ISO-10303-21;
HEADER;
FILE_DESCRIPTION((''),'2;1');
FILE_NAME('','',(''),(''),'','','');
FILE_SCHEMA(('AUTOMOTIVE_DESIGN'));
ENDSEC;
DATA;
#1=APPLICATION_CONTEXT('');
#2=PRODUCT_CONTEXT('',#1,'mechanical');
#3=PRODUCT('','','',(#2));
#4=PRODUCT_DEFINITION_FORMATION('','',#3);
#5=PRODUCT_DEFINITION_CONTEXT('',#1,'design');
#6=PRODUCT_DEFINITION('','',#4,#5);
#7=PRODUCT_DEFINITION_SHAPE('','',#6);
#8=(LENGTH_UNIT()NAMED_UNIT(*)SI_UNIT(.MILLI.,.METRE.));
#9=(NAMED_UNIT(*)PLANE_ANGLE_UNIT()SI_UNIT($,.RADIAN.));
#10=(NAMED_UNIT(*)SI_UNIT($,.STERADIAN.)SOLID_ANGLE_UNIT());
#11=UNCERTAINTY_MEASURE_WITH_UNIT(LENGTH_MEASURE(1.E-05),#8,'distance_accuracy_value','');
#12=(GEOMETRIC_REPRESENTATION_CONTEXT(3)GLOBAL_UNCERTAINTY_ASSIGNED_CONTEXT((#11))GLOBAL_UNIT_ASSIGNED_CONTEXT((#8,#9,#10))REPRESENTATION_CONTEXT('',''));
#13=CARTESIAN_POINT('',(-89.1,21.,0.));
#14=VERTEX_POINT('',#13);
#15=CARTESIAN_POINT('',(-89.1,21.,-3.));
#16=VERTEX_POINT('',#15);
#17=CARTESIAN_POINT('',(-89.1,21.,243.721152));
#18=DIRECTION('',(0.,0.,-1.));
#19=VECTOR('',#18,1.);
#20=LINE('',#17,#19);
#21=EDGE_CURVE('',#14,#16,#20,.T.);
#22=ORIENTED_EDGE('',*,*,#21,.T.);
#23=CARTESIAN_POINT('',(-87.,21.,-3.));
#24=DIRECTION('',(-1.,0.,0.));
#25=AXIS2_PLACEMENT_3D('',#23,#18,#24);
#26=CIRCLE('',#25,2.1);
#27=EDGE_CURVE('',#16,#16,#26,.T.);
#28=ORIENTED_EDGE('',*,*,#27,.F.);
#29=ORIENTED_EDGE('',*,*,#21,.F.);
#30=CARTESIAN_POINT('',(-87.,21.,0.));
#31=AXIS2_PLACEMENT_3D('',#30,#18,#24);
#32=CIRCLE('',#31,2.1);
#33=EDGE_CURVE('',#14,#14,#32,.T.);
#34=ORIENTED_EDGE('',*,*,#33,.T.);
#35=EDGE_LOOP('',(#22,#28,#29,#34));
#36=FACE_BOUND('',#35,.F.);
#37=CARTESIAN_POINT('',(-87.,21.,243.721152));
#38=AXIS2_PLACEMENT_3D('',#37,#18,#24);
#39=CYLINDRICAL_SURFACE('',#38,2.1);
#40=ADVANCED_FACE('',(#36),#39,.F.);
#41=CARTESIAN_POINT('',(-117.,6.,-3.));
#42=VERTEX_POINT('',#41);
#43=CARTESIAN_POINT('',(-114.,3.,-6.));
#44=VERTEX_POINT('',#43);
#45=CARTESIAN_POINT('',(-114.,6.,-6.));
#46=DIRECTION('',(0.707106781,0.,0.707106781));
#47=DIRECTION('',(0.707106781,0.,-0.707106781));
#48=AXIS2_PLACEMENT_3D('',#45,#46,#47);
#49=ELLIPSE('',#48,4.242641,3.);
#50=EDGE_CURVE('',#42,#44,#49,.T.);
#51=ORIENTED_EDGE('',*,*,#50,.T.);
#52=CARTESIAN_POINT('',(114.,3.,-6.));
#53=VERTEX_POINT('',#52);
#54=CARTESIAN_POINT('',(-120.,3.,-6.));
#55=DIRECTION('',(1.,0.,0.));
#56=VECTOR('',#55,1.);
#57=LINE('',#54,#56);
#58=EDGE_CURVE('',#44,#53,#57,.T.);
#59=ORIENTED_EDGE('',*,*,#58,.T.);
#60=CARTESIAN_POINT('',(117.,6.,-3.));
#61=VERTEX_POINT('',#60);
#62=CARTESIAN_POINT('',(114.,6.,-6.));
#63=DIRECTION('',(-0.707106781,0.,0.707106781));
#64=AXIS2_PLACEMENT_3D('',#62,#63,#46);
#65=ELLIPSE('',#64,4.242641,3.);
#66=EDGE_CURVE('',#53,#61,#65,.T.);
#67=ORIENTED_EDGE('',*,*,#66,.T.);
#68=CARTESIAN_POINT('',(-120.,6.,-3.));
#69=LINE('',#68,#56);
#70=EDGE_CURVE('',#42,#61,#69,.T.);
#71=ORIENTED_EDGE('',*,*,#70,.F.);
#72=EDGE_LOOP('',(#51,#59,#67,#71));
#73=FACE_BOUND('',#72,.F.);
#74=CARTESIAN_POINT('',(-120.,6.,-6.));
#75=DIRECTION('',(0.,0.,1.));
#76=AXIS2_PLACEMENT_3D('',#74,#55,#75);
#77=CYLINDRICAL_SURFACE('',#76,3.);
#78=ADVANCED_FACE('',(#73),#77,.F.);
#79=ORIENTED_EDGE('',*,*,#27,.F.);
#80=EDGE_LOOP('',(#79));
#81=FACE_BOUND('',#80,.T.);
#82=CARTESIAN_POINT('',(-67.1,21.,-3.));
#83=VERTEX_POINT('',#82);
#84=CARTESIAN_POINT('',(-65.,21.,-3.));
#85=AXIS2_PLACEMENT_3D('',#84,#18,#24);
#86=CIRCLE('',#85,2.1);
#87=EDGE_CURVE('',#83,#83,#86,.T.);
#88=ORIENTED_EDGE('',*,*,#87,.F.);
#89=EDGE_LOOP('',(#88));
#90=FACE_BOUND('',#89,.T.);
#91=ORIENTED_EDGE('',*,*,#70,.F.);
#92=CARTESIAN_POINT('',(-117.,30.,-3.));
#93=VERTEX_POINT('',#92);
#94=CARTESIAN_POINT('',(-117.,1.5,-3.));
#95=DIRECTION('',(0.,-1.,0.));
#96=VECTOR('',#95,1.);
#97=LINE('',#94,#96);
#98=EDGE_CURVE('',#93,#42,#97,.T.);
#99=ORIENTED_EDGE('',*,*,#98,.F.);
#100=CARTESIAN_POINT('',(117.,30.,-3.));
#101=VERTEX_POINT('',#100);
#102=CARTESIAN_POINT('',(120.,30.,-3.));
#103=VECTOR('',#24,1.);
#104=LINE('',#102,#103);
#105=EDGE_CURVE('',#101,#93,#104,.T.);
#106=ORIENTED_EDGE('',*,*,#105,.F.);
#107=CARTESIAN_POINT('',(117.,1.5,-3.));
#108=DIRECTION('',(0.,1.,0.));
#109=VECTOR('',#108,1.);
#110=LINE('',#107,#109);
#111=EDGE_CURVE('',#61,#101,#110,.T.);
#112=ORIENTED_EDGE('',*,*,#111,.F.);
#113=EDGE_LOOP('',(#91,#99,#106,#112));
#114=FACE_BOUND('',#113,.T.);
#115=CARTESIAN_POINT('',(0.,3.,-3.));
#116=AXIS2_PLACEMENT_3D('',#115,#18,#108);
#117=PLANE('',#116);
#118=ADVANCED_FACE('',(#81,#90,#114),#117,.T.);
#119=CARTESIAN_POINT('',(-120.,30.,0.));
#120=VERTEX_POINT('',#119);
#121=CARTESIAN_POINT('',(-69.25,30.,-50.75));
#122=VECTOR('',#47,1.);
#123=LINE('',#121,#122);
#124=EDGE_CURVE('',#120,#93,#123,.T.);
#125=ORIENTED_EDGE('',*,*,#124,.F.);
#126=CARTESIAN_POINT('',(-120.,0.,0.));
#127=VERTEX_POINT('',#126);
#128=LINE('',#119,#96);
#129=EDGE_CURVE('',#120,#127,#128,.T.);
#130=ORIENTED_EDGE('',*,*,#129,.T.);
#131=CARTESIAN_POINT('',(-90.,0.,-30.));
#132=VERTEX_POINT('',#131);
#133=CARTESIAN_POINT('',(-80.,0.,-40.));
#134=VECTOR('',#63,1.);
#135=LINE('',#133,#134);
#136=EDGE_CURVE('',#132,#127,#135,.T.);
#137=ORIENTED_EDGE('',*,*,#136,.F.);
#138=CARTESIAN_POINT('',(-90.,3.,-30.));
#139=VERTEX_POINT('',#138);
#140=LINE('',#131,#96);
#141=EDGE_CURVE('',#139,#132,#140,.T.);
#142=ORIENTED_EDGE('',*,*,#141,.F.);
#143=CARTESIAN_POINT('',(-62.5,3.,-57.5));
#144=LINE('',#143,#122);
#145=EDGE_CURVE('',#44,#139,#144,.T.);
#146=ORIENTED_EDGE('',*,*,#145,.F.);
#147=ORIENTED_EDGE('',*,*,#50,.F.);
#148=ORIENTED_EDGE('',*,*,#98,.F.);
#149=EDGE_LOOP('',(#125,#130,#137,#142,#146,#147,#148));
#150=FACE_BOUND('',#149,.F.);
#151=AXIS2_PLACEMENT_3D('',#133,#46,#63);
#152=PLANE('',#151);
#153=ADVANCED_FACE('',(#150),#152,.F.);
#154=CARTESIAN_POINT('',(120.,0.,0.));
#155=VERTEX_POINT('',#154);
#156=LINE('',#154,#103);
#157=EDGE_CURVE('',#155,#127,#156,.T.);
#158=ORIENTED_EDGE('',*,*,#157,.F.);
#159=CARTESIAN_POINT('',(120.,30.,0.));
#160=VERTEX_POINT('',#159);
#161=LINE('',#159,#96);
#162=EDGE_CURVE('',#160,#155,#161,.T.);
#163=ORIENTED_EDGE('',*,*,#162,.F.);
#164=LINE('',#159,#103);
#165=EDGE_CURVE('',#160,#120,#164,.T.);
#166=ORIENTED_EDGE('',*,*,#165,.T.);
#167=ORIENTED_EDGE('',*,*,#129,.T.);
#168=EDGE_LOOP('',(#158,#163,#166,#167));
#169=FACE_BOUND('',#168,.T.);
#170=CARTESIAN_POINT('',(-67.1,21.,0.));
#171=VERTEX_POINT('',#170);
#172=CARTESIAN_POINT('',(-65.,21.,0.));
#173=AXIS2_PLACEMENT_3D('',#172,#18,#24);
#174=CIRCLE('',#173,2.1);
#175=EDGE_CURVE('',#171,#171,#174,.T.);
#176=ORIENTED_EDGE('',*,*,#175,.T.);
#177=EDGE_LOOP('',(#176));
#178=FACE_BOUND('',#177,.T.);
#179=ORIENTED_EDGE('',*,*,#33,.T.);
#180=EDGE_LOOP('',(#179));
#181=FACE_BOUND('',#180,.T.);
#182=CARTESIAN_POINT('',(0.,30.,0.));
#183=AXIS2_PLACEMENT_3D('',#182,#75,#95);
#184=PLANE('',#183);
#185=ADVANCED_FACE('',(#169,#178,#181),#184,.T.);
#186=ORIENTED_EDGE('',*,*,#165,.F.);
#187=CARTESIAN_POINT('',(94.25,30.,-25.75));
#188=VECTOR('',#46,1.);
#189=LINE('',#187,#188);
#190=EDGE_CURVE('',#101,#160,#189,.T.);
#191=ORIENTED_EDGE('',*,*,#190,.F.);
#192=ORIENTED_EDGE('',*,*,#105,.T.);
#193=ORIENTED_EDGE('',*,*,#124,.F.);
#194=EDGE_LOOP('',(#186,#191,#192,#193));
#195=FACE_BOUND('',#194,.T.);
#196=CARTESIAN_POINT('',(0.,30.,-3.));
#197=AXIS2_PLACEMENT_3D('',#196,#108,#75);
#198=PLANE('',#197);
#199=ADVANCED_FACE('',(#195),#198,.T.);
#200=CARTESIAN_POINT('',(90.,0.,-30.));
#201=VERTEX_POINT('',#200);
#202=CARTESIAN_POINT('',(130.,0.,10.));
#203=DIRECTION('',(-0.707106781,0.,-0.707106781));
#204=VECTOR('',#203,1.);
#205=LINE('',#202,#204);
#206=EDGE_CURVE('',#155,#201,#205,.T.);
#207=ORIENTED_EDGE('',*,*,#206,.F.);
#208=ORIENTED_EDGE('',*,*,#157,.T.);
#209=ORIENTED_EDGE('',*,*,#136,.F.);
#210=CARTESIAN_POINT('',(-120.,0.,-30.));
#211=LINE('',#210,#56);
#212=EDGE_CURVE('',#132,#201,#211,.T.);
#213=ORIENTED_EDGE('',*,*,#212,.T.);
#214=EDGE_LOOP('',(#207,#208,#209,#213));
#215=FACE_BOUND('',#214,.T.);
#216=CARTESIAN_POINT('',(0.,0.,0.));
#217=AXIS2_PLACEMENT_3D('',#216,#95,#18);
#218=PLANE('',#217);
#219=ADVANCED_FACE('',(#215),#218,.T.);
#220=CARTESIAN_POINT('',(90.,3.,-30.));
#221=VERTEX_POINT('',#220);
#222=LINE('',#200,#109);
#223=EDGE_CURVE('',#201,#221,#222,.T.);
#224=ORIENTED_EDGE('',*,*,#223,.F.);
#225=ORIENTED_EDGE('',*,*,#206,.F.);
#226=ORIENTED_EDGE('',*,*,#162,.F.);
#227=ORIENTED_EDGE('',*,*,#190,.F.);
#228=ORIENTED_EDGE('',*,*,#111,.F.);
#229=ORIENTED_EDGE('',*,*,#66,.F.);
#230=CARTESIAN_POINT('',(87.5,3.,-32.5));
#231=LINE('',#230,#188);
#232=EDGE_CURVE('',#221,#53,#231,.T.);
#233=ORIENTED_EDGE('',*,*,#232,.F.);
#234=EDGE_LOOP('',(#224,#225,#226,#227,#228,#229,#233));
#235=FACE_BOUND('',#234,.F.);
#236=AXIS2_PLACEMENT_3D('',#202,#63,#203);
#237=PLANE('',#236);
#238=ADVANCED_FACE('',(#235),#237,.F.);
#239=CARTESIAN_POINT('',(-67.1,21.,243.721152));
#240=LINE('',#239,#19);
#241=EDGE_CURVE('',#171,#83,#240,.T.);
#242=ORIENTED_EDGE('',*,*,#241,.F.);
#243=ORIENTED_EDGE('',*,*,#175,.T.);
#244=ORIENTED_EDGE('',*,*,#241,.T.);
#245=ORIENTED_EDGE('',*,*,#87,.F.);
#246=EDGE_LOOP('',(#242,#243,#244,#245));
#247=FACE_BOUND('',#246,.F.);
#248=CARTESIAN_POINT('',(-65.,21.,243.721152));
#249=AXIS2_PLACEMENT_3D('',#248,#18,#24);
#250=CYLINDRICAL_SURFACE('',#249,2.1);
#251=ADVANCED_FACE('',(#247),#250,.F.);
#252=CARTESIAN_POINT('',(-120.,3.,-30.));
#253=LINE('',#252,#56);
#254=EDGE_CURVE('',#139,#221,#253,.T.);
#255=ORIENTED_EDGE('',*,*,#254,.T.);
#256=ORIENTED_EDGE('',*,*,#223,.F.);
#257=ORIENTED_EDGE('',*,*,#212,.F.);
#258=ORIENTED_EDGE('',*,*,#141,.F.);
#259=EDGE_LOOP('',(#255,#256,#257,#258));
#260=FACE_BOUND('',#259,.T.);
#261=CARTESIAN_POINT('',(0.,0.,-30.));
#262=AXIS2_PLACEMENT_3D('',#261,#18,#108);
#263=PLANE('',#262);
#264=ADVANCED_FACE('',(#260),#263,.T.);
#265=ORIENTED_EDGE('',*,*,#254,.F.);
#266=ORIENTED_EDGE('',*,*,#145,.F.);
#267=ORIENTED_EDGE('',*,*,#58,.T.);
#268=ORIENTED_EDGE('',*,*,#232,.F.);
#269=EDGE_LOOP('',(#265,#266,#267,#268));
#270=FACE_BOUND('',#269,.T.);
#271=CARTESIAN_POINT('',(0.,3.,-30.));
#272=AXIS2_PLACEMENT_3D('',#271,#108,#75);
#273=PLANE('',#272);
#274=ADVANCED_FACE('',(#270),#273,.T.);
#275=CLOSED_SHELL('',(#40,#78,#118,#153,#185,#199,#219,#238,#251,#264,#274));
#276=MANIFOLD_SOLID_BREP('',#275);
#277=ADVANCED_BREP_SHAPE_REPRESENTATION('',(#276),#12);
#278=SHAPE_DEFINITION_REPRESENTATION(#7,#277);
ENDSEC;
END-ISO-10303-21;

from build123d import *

# Parameters (mm, degrees)
F1_DEPTH      = 120
F1_DEPTH_BACK = 120
F2_R          = 3
F4_DEPTH      = 30.001
F6_D          = 4.2


with BuildPart() as f1:
    # F0 (on Right) → F1 (new body, two sides)
    with BuildSketch(Plane.YZ) as f1_sk:
        Polygon((0, 0), (0, -30), (3, -30), (3, -3), (30, -3), (30, 0), align=None)
    extrude(amount=F1_DEPTH)
    extrude(f1_sk.sketch, amount=-F1_DEPTH_BACK)

    # F2
    f2_edges = [f1.edges().sort_by_distance(p)[0] for p in [
        (0, 3, -3),
    ]]
    fillet(f2_edges, radius=F2_R)

    # F3 (on face) → F4 (cut, through all)
    with BuildSketch(Plane.XZ):
        Polygon((-80, -40), (-130, 10), (-130, -40), align=None)
        Polygon((130, -40), (130, 10), (80, -40), align=None)
    extrude(amount=-F4_DEPTH, mode=Mode.SUBTRACT)

    # F6 (through all)
    with Locations(Plane.XY):
        with Locations((-87, 21), (-65, 21)):
            Hole(F6_D / 2)


solid = f1.part
